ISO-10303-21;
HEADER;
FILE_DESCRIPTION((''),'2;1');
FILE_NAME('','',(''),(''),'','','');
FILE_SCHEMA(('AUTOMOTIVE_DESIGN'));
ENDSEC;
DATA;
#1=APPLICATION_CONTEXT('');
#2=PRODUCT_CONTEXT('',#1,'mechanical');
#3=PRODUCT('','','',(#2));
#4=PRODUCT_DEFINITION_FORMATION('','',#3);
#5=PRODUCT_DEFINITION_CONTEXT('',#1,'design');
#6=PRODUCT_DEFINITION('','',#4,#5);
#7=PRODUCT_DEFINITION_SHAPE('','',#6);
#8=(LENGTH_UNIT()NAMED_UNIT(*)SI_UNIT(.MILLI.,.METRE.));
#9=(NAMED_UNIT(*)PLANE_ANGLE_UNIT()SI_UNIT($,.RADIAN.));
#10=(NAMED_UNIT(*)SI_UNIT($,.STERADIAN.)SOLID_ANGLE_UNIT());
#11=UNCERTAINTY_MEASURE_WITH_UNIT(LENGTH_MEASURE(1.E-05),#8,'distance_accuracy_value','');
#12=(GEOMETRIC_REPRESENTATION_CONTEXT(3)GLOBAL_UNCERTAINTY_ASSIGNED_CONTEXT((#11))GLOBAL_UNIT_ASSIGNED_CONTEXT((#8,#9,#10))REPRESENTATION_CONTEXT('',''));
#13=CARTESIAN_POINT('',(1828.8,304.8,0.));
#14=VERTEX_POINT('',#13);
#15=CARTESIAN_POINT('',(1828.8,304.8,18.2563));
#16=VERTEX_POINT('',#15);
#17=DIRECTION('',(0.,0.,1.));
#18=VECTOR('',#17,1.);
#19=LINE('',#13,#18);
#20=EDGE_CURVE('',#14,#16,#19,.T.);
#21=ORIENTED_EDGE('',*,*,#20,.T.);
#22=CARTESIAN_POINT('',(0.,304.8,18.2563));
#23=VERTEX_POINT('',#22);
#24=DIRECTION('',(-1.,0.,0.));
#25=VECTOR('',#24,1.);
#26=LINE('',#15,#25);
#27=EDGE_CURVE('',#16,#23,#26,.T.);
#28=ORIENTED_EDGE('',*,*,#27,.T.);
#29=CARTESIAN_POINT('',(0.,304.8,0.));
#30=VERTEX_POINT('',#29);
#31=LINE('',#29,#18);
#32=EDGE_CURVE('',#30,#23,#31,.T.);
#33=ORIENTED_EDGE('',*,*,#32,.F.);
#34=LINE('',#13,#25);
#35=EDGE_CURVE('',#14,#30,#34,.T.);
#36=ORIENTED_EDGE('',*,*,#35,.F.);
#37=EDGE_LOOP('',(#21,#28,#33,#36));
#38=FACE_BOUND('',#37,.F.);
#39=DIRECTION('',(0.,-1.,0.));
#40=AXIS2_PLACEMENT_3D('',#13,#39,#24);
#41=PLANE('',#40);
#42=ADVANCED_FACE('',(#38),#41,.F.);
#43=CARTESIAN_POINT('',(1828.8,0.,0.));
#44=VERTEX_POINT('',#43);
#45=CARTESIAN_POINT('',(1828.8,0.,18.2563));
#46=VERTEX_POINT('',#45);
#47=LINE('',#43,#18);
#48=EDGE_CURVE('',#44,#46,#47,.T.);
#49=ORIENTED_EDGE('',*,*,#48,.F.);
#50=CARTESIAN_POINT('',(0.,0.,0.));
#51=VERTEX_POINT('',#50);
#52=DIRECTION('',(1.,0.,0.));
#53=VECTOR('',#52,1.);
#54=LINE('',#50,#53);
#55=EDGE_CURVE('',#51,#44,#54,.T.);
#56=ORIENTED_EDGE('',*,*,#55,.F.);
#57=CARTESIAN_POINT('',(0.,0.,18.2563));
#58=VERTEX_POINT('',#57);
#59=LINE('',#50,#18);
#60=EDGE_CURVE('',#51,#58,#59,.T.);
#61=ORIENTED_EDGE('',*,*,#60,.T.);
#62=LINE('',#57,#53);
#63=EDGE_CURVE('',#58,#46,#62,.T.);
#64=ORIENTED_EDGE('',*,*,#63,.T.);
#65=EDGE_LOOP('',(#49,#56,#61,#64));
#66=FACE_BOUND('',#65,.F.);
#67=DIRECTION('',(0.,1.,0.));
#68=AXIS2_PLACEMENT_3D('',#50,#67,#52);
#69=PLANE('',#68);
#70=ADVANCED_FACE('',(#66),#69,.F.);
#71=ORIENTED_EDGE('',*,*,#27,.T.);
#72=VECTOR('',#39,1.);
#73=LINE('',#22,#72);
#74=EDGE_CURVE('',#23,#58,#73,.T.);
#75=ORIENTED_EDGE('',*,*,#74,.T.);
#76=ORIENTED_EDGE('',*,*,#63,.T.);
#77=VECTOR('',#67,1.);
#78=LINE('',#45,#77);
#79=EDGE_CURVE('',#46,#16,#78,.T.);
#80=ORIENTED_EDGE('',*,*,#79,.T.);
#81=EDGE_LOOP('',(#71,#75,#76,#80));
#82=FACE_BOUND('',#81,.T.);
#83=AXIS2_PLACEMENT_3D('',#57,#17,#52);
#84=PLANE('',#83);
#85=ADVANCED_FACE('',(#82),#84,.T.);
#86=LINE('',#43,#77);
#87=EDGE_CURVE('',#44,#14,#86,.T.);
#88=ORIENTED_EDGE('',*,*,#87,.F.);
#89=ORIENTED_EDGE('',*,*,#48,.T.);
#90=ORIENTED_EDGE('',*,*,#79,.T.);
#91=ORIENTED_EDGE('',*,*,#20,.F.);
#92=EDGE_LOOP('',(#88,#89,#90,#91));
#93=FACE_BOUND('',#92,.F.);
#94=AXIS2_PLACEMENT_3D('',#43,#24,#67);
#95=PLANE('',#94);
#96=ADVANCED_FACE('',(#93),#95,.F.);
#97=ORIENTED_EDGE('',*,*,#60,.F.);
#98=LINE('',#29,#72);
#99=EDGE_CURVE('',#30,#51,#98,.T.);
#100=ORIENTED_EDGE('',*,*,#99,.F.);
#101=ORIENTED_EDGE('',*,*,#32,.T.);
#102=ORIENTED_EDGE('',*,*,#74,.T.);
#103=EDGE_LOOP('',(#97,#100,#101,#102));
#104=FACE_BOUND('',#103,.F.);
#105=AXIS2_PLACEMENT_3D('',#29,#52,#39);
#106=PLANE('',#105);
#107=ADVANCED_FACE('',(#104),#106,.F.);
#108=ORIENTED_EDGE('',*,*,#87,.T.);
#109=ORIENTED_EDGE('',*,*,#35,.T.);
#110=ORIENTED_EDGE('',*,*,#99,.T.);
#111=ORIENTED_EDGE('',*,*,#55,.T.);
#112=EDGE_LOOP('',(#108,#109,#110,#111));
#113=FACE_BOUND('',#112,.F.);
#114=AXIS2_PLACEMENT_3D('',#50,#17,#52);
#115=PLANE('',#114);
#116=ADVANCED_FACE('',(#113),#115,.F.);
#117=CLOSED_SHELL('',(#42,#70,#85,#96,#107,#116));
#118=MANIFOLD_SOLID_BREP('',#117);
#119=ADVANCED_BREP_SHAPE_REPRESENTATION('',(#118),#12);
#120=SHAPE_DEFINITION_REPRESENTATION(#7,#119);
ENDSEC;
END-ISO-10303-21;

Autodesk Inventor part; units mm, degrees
ref_plane "YZ Plane" through (0, 0, 0) normal (1, 0, 0) x (0, 1, 0)
ref_plane "XZ Plane" through (0, 0, 0) normal (0, 1, 0) x (-1, 0, 0)
ref_plane "XY Plane" through (0, 0, 0) normal (0, 0, 1) x (1, 0, 0)
sketch "Sketch1" plane through (0, 0, 0) normal (0, 0, 1) x (1, 0, 0)
  line L0 (0, 0) -> (1828.8, 0)
  line L1 (1828.8, 0) -> (1828.8, 304.8)
  line L2 (1828.8, 304.8) -> (0, 304.8)
  line L3 (0, 304.8) -> (0, 0)
  dimension "d0" = 1828.8
  dimension "d1" = 304.8
extrude "Extrusion1" add sketch "Sketch1" along normal blind 18.2563
properties part number "base long wall back"
